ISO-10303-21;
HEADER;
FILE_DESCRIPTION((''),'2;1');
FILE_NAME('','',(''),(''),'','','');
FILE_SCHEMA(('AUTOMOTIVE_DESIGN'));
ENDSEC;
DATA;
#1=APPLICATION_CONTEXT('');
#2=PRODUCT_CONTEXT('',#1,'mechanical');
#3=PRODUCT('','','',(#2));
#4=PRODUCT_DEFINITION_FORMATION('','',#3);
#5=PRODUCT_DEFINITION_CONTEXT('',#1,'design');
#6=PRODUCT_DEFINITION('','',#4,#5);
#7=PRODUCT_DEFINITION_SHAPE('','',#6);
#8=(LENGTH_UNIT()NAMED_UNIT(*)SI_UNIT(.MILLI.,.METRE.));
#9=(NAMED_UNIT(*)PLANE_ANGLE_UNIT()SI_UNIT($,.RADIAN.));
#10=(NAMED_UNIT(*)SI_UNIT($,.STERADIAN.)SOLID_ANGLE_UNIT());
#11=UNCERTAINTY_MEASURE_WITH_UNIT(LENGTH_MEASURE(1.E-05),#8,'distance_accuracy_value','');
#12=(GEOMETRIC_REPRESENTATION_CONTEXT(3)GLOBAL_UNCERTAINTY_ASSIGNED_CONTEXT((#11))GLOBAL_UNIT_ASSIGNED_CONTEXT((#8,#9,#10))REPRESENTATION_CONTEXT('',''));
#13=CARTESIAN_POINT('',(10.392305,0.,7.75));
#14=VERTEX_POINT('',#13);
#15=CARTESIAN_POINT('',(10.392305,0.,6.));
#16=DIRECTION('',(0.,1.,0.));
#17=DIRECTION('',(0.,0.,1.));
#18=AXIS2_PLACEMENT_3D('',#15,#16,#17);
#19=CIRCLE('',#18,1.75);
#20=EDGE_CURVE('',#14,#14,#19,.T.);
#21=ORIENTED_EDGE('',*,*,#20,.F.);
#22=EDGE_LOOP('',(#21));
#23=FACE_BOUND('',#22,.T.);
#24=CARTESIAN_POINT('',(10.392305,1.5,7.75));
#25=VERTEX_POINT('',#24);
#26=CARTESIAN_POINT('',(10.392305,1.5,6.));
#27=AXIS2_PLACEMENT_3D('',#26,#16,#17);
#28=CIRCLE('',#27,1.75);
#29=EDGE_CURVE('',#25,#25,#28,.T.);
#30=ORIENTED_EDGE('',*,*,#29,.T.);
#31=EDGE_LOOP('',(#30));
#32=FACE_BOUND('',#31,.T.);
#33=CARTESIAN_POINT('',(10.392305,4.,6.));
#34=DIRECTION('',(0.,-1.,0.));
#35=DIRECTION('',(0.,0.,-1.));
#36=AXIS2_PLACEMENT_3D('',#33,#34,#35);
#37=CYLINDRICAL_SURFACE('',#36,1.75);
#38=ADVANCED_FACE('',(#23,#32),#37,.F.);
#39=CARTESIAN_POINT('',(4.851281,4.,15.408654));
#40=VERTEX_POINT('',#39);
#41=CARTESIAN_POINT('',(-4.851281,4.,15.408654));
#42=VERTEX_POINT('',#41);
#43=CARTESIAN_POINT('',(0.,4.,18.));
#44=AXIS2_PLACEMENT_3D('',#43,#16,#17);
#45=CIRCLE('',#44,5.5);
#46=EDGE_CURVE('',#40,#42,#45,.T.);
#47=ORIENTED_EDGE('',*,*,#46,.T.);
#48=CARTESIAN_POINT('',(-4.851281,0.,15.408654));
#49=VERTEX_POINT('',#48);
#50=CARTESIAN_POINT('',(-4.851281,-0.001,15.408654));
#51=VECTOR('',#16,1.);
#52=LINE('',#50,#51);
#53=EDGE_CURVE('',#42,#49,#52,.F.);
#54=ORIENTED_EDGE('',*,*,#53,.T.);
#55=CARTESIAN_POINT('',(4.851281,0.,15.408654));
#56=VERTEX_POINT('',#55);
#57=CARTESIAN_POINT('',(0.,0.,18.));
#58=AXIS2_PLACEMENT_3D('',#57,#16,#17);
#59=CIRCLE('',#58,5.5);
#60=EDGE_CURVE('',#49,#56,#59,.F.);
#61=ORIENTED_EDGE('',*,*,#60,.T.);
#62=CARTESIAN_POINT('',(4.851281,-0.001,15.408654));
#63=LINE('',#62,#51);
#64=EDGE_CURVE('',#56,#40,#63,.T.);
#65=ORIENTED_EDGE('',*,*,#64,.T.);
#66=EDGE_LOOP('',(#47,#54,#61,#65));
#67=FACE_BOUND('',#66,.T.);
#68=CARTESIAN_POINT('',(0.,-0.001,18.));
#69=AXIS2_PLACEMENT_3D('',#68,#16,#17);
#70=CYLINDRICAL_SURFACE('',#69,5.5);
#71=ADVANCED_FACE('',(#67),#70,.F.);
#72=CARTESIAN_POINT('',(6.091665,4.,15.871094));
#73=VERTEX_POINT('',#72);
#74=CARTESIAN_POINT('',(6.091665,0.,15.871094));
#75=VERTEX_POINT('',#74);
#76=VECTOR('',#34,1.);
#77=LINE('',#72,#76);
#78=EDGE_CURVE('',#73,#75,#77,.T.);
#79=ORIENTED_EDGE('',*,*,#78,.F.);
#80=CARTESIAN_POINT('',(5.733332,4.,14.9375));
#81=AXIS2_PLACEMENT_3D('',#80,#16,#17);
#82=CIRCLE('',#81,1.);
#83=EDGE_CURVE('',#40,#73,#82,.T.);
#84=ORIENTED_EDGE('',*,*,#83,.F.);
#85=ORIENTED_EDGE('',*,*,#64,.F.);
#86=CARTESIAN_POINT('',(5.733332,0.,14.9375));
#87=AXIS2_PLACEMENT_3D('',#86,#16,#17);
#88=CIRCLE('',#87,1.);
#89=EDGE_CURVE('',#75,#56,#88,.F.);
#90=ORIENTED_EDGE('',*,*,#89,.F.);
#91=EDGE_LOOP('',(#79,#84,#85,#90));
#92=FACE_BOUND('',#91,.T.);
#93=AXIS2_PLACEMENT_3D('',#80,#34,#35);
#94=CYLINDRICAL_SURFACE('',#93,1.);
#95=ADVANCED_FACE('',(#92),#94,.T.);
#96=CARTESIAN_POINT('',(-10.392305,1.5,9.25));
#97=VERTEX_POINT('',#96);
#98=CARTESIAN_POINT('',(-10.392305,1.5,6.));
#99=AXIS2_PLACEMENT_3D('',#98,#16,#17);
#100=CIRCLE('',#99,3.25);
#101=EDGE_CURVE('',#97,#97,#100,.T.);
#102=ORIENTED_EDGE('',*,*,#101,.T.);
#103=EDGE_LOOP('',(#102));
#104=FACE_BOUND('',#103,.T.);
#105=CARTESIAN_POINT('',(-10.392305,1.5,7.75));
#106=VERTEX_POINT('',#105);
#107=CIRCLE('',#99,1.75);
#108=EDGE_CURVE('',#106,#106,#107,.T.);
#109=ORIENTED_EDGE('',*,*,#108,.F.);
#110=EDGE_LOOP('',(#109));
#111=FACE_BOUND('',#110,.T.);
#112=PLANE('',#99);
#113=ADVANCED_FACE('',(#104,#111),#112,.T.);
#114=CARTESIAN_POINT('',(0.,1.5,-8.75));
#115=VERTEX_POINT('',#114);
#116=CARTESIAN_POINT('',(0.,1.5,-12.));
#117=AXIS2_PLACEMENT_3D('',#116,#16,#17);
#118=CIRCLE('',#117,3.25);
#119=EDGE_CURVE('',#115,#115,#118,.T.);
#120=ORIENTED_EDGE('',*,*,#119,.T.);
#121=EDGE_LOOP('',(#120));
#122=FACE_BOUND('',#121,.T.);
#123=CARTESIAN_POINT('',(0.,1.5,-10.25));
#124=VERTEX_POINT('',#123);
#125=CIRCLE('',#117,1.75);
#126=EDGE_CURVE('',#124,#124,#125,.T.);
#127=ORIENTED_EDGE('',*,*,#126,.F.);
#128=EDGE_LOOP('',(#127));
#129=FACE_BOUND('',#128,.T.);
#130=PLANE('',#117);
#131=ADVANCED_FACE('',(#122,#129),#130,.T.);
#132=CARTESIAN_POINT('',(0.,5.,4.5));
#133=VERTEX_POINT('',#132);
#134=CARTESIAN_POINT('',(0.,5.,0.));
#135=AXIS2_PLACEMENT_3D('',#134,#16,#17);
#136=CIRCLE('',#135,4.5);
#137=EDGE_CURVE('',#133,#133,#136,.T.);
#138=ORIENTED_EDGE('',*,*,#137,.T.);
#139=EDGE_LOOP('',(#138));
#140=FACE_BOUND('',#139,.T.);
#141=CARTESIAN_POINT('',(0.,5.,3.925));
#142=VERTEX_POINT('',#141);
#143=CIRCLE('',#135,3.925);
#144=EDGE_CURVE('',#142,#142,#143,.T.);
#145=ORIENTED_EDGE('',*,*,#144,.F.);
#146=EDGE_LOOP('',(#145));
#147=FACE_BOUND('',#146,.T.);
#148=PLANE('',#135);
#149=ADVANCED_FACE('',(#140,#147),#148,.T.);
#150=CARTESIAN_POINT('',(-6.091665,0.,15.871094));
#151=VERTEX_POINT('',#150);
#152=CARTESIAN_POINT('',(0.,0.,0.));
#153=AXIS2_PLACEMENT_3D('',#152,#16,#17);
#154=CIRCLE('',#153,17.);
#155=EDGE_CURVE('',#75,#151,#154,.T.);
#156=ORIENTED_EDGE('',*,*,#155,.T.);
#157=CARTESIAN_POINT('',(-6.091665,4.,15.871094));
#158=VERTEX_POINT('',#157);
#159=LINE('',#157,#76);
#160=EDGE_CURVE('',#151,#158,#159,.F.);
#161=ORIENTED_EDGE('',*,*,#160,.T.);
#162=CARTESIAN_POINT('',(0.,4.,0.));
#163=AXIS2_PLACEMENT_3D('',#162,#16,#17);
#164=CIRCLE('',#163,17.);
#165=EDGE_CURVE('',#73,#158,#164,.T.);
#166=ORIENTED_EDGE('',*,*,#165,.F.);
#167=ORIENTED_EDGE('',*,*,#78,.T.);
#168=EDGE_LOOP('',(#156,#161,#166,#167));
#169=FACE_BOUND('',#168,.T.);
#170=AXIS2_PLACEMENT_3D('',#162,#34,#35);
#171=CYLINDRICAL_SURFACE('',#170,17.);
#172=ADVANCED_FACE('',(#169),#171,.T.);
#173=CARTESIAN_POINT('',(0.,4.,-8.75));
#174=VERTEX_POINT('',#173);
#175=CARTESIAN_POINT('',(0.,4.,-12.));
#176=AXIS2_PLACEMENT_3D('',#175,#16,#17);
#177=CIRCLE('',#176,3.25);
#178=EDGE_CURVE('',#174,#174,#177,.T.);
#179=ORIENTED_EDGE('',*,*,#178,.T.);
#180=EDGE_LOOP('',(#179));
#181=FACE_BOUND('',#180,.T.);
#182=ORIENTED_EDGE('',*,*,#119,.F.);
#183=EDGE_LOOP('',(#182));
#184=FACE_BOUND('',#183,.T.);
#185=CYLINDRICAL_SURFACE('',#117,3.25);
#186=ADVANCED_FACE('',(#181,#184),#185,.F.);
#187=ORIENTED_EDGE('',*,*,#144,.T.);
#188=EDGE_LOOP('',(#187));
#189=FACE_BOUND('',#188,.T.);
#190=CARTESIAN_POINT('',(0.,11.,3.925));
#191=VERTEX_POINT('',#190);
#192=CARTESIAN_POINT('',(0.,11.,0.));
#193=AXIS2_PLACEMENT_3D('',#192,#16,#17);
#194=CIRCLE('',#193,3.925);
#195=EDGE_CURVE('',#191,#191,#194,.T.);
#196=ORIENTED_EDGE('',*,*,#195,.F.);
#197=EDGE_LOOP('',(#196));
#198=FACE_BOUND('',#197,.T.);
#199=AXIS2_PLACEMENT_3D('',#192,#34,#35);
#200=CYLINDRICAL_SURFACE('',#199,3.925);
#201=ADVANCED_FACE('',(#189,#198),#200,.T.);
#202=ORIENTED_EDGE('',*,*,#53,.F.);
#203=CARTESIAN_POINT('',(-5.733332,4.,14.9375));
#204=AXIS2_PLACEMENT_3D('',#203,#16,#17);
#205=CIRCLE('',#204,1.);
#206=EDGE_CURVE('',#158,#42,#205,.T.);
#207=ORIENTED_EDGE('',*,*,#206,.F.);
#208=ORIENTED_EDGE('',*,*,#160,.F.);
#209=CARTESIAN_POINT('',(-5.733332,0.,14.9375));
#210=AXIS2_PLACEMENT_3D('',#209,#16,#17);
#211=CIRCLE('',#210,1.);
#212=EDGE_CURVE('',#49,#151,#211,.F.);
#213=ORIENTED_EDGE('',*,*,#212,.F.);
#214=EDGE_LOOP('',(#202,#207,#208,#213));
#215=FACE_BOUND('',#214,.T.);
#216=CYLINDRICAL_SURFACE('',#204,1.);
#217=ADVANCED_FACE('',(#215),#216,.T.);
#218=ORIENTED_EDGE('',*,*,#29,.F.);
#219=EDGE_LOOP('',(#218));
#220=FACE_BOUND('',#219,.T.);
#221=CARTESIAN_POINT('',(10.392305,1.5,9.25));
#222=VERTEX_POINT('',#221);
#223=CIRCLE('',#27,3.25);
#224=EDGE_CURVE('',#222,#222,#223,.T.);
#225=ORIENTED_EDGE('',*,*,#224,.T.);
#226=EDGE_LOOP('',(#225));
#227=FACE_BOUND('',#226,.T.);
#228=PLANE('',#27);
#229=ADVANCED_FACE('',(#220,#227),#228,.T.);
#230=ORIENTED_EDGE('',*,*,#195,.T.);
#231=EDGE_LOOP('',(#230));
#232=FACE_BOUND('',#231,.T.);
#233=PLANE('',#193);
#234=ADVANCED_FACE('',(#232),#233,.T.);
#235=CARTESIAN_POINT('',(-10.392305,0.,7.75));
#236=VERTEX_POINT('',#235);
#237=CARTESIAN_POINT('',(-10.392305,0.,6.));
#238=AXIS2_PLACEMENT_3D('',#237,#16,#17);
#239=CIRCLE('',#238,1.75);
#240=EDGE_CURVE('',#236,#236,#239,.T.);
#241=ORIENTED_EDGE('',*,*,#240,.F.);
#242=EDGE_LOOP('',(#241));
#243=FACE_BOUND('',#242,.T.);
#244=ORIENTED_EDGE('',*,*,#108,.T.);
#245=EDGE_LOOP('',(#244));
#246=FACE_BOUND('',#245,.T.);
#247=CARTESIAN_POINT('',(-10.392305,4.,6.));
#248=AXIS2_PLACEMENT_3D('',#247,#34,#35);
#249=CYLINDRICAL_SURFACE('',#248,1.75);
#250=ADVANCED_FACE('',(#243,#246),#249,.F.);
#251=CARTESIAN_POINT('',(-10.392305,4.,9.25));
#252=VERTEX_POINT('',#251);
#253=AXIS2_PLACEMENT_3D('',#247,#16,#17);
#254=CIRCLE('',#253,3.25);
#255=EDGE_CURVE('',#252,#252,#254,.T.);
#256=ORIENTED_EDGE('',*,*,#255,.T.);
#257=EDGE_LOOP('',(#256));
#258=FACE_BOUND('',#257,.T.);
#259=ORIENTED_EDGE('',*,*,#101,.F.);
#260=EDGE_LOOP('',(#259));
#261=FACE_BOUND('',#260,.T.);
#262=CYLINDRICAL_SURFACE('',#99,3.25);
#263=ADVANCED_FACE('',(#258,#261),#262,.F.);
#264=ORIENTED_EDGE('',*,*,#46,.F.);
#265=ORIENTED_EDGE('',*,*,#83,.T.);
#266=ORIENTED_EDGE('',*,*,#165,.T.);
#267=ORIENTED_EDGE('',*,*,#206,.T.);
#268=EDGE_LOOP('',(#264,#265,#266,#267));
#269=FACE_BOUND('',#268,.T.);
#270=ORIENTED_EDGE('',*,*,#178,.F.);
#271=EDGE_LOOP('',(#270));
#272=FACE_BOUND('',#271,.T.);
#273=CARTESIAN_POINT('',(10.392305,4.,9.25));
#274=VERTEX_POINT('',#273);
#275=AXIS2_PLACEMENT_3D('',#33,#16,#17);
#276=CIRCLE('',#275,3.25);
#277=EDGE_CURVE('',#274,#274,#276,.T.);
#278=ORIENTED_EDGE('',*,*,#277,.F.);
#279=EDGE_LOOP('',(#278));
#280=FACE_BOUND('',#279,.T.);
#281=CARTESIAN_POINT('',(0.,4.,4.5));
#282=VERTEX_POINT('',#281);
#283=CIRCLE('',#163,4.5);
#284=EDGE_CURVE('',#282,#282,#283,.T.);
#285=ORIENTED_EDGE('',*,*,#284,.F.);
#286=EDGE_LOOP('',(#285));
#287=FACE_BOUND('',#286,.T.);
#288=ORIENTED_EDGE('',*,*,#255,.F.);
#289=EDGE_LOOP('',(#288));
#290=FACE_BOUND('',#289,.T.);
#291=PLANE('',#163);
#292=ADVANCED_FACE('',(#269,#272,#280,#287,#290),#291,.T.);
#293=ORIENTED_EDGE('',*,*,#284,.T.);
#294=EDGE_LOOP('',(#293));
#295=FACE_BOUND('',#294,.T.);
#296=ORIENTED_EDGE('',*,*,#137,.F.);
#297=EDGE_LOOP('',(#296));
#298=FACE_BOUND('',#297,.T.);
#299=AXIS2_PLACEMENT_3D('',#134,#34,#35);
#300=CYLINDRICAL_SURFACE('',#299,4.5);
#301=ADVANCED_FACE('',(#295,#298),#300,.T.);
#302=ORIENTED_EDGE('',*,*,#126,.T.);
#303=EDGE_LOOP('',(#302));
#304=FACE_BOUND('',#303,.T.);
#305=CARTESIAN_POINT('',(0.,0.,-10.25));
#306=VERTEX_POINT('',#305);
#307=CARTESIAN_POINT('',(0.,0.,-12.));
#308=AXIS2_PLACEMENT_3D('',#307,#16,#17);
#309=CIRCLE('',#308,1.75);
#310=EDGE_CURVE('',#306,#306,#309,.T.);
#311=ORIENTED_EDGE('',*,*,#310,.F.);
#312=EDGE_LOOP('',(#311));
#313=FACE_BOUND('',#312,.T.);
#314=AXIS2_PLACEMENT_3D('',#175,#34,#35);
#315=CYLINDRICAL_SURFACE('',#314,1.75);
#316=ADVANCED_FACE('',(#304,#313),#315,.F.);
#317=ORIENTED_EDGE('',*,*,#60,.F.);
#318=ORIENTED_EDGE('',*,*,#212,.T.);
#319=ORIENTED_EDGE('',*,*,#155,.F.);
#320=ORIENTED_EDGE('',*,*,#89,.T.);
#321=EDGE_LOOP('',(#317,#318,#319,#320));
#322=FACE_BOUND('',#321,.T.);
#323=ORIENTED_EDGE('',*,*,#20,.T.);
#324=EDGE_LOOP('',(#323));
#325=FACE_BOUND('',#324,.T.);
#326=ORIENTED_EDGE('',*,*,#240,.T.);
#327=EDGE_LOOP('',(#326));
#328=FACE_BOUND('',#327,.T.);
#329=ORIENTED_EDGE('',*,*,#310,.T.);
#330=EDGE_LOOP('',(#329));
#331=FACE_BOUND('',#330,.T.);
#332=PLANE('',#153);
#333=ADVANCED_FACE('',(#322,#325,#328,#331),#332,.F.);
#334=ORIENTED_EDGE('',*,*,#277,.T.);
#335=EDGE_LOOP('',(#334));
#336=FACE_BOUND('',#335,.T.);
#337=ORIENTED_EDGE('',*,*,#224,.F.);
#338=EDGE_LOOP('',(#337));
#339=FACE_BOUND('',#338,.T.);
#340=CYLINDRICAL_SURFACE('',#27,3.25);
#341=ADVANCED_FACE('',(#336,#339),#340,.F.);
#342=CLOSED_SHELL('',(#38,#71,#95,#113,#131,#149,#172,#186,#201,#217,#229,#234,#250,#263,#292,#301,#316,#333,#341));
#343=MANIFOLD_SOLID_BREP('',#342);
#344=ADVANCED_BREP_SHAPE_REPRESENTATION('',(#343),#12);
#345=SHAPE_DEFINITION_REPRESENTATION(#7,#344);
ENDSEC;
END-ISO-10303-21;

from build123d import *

# Parameters (mm, degrees)
SKETCH1_R           = 17
SKETCH1_R_2         = 1.75
BOSS_EXTRUDE1_DEPTH = 4
SKETCH2_R           = 3.25
CUT_EXTRUDE1_DEPTH  = 2.5
SKETCH3_R           = 4.5
BOSS_EXTRUDE2_DEPTH = 1
SKETCH4_R           = 3.925
BOSS_EXTRUDE3_DEPTH = 6
CUT_EXTRUDE2_REACH  = 27.04
SKETCH5_R           = 5.5
FILLET1_R           = 1


with BuildPart() as part:
    # Sketch1 → Boss-Extrude1 (new body)
    with BuildSketch(Plane(origin=(0, 0, 0), x_dir=(1, 0, 0), z_dir=(0, 1, 0))):
        with Locations(Location((0, 0, 0), (0, 0, 270))):
            Circle(SKETCH1_R)
        with Locations(Location((0, 12, 0), (0, 0, 270))):
            Circle(SKETCH1_R_2, mode=Mode.SUBTRACT)
        with Locations(Location((10.392304845, -6, 0), (0, 0, 270))):
            Circle(SKETCH1_R_2, mode=Mode.SUBTRACT)
        with Locations(Location((-10.392304845, -6, 0), (0, 0, 270))):
            Circle(SKETCH1_R_2, mode=Mode.SUBTRACT)
    extrude(amount=BOSS_EXTRUDE1_DEPTH)

    # Sketch2 → Cut-Extrude1 (cut)
    with BuildSketch(Plane(origin=(0, 4, 0), x_dir=(1, 0, 0), z_dir=(0, 1, 0))):
        with Locations(Location((0, 12, 0), (0, 0, 270))):
            Circle(SKETCH2_R)
        with Locations(Location((10.392304845, -6, 0), (0, 0, 270))):
            Circle(SKETCH2_R)
        with Locations(Location((-10.392304845, -6, 0), (0, 0, 270))):
            Circle(SKETCH2_R)
    extrude(amount=-CUT_EXTRUDE1_DEPTH, mode=Mode.SUBTRACT)

    # Sketch3 → Boss-Extrude2 (add)
    with BuildSketch(Plane(origin=(0, 4, 0), x_dir=(1, 0, 0), z_dir=(0, 1, 0))):
        with Locations(Location((0, 0, 0), (0, 0, 270))):
            Circle(SKETCH3_R)
    extrude(amount=BOSS_EXTRUDE2_DEPTH)

    # Sketch4 → Boss-Extrude3 (add)
    with BuildSketch(Plane(origin=(0, 5, 0), x_dir=(1, 0, 0), z_dir=(0, 1, 0))):
        with Locations(Location((0, 0, 0), (0, 0, 270))):
            Circle(SKETCH4_R)
    extrude(amount=BOSS_EXTRUDE3_DEPTH)

    # Sketch5 → Cut-Extrude2 (cut, up to next)
    with BuildSketch(Plane(origin=(0, 4, 0), x_dir=(1, 0, 0), z_dir=(0, 1, 0)), mode=Mode.PRIVATE) as cut_extrude2_sk1:
        with Locations((0, -18)):
            Circle(SKETCH5_R)
    cut_extrude2_tool1 = extrude(cut_extrude2_sk1.sketch, amount=-CUT_EXTRUDE2_REACH, mode=Mode.PRIVATE) & part.part
    add(cut_extrude2_tool1.solids().sort_by_distance((0, 4, 18))[0], mode=Mode.SUBTRACT)

    # Fillet1
    fillet1_edges = [part.edges().sort_by_distance(p)[0] for p in [
        (-5.192768409, 2, 16.1875),
        (5.192768409, 2, 16.1875),
    ]]
    fillet(fillet1_edges, radius=FILLET1_R)


solid = part.part
